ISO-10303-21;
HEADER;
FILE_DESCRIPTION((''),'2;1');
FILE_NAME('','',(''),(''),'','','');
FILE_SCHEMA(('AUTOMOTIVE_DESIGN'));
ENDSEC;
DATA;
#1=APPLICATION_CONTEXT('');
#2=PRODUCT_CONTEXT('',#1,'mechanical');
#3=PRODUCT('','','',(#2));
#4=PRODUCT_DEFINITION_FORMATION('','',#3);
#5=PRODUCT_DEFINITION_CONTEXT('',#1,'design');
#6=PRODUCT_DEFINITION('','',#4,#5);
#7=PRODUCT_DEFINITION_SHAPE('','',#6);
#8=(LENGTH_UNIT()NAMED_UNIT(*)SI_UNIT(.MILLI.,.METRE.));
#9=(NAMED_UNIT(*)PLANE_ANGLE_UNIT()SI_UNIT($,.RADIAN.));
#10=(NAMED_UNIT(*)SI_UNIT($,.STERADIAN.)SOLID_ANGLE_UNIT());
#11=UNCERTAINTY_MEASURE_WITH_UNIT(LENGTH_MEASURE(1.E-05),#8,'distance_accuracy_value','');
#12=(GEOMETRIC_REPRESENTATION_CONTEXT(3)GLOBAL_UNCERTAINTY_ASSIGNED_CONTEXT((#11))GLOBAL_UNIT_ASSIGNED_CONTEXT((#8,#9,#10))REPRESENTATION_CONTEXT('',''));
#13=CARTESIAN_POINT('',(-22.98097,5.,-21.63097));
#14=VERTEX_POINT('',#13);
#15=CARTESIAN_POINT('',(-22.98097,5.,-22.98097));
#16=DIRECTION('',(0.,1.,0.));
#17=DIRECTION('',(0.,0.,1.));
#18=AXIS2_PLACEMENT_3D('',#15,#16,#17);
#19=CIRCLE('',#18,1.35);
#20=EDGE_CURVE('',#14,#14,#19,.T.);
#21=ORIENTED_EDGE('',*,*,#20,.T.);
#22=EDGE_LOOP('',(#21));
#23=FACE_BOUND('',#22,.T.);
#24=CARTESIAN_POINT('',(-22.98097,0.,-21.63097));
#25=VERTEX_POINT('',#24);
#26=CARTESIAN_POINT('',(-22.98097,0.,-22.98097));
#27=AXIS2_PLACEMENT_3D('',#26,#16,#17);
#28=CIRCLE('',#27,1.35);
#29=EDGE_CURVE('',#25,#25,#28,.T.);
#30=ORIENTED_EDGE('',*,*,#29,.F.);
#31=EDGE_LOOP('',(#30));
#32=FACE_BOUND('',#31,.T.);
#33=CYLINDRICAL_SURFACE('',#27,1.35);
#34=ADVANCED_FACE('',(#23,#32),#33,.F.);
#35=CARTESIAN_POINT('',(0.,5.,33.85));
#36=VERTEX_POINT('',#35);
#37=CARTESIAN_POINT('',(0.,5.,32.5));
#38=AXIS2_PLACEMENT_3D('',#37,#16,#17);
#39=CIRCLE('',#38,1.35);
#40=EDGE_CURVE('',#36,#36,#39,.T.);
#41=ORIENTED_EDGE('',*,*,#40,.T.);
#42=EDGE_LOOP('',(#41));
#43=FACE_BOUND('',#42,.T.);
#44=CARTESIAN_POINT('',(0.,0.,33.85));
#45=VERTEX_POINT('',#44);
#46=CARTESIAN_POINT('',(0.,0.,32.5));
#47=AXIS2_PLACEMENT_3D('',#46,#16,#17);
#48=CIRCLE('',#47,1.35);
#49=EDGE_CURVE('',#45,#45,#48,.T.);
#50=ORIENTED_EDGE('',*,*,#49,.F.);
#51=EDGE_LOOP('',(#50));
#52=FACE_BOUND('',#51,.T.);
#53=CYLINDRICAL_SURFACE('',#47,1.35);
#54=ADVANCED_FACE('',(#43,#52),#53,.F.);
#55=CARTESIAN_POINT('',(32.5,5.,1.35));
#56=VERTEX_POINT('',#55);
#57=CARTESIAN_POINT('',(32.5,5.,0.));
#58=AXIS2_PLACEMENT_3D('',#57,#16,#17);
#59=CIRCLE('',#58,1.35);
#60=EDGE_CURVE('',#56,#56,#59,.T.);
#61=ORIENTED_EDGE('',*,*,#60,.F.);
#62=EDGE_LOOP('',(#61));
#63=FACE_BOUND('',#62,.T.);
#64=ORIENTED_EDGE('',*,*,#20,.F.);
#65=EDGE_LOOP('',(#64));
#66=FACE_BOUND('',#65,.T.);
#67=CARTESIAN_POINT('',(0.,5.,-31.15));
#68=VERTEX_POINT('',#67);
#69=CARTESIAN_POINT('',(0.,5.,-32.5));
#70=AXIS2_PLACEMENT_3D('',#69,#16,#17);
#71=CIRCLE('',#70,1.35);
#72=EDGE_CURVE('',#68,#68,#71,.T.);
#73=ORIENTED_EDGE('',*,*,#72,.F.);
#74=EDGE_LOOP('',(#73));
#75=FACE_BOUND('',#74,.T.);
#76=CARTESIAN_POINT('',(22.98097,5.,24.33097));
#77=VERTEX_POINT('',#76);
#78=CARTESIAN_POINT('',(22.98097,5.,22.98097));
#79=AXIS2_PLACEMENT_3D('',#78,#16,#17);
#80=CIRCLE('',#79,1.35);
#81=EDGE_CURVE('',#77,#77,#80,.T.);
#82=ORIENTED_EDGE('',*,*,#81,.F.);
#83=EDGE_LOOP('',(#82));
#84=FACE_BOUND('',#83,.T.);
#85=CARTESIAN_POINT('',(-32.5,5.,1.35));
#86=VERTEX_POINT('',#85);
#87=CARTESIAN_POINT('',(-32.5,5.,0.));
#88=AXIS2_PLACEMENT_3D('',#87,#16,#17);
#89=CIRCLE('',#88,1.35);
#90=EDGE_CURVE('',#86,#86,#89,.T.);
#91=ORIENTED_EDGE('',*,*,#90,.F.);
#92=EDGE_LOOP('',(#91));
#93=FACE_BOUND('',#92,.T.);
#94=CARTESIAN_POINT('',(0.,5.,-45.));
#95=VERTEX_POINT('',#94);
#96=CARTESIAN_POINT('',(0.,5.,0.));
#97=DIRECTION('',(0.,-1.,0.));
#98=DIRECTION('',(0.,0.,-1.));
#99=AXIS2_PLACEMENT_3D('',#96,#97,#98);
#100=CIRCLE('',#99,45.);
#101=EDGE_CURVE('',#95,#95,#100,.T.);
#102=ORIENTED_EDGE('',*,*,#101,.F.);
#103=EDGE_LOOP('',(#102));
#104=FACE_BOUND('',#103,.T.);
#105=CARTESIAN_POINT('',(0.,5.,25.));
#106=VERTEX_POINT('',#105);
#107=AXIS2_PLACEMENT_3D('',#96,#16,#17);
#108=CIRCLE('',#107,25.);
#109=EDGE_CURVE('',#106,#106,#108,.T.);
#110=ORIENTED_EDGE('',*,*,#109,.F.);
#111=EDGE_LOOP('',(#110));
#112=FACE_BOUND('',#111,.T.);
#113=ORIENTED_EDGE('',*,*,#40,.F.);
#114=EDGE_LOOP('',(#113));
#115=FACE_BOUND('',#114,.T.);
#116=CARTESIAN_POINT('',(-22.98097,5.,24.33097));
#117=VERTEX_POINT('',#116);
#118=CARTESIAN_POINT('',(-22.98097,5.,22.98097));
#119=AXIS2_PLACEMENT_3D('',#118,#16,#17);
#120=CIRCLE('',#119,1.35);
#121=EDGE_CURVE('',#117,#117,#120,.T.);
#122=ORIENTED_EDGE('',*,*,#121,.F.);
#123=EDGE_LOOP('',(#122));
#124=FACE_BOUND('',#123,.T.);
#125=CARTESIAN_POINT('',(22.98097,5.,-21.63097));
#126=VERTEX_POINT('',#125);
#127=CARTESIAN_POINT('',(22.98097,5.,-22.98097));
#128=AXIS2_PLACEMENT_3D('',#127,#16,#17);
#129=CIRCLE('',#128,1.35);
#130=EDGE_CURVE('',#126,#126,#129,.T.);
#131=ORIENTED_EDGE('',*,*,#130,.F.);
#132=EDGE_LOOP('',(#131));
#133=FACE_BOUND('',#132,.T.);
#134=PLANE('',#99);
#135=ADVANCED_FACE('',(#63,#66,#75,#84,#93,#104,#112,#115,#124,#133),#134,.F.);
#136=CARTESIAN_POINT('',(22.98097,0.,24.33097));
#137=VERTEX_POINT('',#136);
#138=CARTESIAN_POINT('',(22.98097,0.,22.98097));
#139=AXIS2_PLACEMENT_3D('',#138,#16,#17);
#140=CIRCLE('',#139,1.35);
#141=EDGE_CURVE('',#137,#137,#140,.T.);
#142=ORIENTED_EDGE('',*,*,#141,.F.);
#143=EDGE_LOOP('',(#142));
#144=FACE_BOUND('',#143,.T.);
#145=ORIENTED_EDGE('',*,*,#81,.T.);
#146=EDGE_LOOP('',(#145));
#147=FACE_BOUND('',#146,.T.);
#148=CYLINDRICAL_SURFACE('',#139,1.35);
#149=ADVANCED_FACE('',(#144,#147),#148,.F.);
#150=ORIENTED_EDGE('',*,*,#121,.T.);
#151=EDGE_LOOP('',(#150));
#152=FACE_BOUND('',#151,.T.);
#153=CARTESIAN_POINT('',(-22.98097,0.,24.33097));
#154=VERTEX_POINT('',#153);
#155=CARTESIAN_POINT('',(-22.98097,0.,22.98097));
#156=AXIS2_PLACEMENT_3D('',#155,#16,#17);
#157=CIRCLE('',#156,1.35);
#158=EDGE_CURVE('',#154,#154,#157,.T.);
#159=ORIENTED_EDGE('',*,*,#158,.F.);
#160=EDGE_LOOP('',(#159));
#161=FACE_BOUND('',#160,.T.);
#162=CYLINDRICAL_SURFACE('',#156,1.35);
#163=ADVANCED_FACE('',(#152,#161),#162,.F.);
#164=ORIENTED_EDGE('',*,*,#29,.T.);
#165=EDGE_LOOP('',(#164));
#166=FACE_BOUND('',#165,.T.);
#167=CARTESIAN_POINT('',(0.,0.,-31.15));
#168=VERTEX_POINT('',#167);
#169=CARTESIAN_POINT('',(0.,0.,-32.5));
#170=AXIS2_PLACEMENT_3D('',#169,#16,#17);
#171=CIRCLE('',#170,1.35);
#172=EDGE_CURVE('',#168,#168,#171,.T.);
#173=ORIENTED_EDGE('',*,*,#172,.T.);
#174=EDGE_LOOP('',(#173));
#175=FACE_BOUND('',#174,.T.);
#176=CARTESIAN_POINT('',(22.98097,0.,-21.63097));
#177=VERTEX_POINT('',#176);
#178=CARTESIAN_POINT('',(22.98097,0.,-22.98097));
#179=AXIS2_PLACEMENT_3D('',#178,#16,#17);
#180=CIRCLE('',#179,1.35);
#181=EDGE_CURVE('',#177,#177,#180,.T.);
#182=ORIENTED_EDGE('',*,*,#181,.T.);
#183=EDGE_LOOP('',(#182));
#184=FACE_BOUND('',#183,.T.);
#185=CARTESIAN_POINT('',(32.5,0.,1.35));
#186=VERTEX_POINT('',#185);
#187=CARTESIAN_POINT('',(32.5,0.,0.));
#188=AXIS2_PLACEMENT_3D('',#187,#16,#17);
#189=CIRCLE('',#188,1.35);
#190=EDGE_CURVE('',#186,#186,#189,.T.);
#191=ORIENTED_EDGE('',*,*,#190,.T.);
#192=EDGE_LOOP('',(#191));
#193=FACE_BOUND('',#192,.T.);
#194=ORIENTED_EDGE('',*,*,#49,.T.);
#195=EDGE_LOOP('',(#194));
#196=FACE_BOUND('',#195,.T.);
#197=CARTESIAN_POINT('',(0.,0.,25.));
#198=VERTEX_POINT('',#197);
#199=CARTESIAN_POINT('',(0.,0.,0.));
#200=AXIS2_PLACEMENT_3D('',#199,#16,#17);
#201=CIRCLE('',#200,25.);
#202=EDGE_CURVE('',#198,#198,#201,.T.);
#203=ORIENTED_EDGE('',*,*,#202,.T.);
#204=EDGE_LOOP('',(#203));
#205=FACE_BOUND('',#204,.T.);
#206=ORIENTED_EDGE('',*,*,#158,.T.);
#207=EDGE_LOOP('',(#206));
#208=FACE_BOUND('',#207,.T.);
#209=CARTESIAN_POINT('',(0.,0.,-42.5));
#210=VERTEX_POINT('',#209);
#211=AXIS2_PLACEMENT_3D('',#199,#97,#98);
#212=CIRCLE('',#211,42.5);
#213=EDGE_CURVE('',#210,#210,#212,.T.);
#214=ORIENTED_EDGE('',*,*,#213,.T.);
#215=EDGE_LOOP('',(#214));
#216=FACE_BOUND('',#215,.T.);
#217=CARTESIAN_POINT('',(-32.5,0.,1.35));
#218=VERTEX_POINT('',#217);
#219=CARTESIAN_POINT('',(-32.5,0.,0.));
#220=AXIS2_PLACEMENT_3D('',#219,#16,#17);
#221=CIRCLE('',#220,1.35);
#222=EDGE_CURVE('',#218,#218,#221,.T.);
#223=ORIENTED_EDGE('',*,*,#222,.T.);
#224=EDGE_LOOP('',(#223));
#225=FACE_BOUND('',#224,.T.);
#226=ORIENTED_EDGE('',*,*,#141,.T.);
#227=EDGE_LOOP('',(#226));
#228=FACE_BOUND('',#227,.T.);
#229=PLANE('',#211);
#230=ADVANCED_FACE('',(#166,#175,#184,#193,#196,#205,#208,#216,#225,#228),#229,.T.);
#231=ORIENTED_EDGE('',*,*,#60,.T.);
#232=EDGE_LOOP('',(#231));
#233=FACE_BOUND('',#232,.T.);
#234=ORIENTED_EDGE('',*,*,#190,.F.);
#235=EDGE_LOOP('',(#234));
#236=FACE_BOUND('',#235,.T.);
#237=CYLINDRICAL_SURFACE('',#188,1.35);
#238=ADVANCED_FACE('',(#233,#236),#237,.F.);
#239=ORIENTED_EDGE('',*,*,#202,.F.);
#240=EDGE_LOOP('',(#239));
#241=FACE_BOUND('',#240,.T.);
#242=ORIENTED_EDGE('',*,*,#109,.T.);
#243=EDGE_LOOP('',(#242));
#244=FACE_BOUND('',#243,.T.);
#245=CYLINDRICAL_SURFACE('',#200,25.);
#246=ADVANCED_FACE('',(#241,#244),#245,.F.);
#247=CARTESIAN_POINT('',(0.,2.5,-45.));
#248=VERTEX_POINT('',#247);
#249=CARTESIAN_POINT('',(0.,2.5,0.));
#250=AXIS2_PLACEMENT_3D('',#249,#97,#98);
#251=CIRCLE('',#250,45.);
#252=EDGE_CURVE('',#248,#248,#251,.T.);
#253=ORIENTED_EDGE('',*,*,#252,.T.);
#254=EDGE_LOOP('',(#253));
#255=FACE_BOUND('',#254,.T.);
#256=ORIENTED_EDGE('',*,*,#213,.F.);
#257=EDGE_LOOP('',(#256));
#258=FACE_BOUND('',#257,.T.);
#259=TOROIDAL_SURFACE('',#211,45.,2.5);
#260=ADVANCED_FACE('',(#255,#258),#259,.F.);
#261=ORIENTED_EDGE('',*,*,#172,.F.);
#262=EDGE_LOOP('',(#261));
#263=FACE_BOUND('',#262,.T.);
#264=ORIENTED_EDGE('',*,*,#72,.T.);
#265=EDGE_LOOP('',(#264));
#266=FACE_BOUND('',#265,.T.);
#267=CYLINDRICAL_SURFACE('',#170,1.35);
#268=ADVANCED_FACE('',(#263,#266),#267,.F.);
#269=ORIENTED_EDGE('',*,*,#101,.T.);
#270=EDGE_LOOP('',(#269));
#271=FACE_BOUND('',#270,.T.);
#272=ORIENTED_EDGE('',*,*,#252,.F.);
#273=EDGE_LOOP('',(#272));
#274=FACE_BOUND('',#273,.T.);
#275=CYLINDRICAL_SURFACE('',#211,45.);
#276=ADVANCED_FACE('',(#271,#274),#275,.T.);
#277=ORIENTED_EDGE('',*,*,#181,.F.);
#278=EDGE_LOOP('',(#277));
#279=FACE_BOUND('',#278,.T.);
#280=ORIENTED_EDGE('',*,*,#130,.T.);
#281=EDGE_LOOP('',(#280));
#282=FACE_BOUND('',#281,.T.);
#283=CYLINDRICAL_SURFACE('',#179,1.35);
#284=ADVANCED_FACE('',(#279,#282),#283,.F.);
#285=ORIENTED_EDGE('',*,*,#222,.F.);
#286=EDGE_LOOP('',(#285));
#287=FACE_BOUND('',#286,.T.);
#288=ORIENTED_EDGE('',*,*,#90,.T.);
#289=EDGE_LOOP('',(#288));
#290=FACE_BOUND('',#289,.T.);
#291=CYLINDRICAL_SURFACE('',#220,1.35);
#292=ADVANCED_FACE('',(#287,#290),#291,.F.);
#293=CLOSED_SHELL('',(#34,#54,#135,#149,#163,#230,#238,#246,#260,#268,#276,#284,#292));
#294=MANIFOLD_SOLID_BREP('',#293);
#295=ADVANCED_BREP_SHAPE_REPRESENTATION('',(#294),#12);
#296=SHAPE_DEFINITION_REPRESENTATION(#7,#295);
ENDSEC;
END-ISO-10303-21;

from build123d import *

# Parameters (mm, degrees)
SKETCH2_R          = 1.35
CUT_EXTRUDE1_DEPTH = 64.835726674
SKETCH4_R          = 25
CUT_EXTRUDE2_DEPTH = 64.835726674


with BuildPart() as part:
    # Sketch1 → Revolve1 (revolve)
    with BuildSketch(Plane.XY, mode=Mode.PRIVATE) as revolve1_sk:
        with BuildLine():
            Line((-42.5, 0), (0, 0))
            Line((0, 0), (0, 5))
            Line((0, 5), (-45, 5))
            Line((-45, 5), (-45, 2.5))
            ThreePointArc((-45, 2.5), (-43.232233047, 1.767766953), (-42.5, 0))
        make_face()
    revolve(revolve1_sk.sketch.rotate(Axis((0, 0, 0), (0, 1, 0)), 270), axis=Axis((0, 0, 0), (0, 1, 0)))

    # Sketch2 → Cut-Extrude1 (cut, through all)
    with BuildSketch(Plane(origin=(0, 5, 0), x_dir=(1, 0, 0), z_dir=(0, 1, 0))):
        with Locations(Location((0, 32.5, 0), (0, 0, 270))):
            Circle(SKETCH2_R)
        with Locations(Location((22.980970389, 22.980970389, 0), (0, 0, 270))):
            Circle(SKETCH2_R)
        with Locations(Location((32.5, 0, 0), (0, 0, 270))):
            Circle(SKETCH2_R)
        with Locations(Location((22.980970389, -22.980970389, 0), (0, 0, 270))):
            Circle(SKETCH2_R)
        with Locations(Location((0, -32.5, 0), (0, 0, 270))):
            Circle(SKETCH2_R)
        with Locations(Location((-22.980970389, -22.980970389, 0), (0, 0, 270))):
            Circle(SKETCH2_R)
        with Locations(Location((-32.5, 0, 0), (0, 0, 270))):
            Circle(SKETCH2_R)
        with Locations(Location((-22.980970389, 22.980970389, 0), (0, 0, 270))):
            Circle(SKETCH2_R)
    extrude(amount=-CUT_EXTRUDE1_DEPTH, mode=Mode.SUBTRACT)

    # Sketch4 → Cut-Extrude2 (cut, through all)
    with BuildSketch(Plane(origin=(0, 5, 0), x_dir=(1, 0, 0), z_dir=(0, 1, 0))):
        with Locations(Location((0, 0, 0), (0, 0, 270))):
            Circle(SKETCH4_R)
    extrude(amount=-CUT_EXTRUDE2_DEPTH, mode=Mode.SUBTRACT)


solid = part.part
